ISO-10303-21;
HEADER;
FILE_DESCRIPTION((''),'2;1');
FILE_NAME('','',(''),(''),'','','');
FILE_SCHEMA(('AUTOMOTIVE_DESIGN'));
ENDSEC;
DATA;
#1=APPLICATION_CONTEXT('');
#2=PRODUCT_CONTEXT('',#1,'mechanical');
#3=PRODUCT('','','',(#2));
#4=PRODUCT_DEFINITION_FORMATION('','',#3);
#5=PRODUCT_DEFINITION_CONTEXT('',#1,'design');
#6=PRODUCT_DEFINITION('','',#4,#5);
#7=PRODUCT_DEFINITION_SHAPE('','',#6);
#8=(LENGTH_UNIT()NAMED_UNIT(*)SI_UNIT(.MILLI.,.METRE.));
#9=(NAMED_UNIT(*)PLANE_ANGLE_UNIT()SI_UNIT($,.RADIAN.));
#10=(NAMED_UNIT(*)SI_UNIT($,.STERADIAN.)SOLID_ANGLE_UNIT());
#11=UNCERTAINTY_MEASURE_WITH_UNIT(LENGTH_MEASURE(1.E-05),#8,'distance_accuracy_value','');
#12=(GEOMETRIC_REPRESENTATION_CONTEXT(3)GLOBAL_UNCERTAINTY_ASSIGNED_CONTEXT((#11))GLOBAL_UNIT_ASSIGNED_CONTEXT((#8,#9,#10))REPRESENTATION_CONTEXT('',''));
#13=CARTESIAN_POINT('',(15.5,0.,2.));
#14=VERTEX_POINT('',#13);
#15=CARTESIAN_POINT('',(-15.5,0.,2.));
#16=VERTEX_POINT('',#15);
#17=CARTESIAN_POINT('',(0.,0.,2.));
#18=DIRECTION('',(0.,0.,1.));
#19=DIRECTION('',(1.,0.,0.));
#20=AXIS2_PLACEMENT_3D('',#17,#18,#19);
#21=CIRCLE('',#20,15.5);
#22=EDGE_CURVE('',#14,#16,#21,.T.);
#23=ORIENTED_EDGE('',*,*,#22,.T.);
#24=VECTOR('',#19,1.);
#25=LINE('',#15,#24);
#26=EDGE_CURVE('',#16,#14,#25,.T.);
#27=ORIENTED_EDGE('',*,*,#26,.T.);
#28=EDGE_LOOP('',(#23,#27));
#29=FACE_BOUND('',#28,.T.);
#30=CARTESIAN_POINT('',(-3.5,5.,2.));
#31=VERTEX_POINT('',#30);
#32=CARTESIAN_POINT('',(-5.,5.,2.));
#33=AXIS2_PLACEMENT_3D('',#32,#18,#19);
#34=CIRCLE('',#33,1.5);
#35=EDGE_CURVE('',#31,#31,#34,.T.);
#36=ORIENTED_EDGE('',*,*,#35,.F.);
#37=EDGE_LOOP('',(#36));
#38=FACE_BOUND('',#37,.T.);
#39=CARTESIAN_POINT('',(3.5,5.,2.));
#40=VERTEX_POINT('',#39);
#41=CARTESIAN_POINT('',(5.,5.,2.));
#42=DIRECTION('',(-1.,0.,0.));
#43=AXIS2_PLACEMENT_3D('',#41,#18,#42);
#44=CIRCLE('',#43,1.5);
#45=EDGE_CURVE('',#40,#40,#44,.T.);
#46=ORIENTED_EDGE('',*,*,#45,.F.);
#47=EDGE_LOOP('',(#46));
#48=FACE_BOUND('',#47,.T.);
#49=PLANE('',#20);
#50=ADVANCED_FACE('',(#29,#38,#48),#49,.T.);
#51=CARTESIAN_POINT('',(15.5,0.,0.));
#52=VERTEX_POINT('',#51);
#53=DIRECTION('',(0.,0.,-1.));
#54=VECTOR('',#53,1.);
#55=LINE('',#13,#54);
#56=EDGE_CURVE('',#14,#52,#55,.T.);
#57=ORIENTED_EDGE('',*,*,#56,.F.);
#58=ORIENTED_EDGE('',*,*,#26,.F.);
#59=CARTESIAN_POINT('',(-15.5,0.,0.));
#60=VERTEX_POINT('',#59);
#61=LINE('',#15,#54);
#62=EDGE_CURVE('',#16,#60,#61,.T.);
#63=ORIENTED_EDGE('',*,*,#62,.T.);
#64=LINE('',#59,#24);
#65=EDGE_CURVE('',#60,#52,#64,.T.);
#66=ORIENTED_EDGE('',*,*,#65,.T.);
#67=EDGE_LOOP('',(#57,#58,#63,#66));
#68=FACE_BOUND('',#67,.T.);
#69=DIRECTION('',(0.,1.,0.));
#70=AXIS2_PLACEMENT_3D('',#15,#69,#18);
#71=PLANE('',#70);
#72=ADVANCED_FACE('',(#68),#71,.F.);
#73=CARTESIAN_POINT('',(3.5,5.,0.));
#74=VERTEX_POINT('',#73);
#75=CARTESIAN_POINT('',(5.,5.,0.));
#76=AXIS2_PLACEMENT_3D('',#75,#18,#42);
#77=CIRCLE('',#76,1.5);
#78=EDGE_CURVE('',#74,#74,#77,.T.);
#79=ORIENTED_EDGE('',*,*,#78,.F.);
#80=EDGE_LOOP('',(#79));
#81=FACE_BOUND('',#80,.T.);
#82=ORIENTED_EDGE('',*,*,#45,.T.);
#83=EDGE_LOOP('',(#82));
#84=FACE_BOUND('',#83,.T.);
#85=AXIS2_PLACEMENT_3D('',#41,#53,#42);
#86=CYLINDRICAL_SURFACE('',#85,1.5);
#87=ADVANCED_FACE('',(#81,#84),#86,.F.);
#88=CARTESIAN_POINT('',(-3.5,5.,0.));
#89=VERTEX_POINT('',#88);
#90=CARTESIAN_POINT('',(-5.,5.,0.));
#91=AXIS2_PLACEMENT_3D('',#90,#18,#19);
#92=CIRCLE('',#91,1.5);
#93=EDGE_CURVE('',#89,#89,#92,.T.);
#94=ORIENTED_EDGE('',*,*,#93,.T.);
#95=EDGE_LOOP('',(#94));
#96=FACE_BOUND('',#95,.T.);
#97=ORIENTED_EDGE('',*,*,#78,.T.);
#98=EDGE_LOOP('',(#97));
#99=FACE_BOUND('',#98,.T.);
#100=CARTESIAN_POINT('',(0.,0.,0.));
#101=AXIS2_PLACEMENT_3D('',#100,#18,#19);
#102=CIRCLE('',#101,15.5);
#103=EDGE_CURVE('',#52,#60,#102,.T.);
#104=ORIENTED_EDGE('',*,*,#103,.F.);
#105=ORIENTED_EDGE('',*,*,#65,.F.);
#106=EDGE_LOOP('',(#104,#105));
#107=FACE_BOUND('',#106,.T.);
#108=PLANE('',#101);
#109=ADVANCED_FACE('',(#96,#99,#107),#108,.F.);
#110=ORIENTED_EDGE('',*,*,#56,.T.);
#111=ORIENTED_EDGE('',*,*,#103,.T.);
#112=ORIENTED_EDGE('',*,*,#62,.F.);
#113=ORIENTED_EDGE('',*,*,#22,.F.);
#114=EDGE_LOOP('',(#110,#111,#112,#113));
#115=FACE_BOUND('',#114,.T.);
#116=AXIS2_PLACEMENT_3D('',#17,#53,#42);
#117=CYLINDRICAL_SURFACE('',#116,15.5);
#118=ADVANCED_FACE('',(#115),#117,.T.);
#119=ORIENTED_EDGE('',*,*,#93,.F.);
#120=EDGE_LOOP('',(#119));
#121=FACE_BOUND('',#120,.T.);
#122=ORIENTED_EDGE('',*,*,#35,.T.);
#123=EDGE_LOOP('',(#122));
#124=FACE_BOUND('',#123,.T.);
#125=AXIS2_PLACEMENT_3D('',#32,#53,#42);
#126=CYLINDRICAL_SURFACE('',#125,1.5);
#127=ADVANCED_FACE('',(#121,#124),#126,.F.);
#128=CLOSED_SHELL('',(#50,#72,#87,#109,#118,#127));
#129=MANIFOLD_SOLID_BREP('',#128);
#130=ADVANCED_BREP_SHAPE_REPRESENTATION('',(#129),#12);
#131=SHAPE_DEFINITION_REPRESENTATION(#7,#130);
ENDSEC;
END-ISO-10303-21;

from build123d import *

# Parameters (mm, degrees)
SKETCH_1_R      = 1.5
EXTRUDE_1_DEPTH = 2


with BuildPart() as part:
    # 草图1 → 凸台-拉伸1 (new body)
    with BuildSketch(Plane.XY):
        with BuildLine():
            Line((-15.5, 0), (15.5, 0))
            ThreePointArc((15.5, 0), (0, 15.5), (-15.5, 0))
        make_face()
        with Locations((-5, 5)):
            Circle(SKETCH_1_R, mode=Mode.SUBTRACT)
        with Locations((5, 5)):
            Circle(SKETCH_1_R, mode=Mode.SUBTRACT)
    extrude(amount=EXTRUDE_1_DEPTH)


solid = part.part
